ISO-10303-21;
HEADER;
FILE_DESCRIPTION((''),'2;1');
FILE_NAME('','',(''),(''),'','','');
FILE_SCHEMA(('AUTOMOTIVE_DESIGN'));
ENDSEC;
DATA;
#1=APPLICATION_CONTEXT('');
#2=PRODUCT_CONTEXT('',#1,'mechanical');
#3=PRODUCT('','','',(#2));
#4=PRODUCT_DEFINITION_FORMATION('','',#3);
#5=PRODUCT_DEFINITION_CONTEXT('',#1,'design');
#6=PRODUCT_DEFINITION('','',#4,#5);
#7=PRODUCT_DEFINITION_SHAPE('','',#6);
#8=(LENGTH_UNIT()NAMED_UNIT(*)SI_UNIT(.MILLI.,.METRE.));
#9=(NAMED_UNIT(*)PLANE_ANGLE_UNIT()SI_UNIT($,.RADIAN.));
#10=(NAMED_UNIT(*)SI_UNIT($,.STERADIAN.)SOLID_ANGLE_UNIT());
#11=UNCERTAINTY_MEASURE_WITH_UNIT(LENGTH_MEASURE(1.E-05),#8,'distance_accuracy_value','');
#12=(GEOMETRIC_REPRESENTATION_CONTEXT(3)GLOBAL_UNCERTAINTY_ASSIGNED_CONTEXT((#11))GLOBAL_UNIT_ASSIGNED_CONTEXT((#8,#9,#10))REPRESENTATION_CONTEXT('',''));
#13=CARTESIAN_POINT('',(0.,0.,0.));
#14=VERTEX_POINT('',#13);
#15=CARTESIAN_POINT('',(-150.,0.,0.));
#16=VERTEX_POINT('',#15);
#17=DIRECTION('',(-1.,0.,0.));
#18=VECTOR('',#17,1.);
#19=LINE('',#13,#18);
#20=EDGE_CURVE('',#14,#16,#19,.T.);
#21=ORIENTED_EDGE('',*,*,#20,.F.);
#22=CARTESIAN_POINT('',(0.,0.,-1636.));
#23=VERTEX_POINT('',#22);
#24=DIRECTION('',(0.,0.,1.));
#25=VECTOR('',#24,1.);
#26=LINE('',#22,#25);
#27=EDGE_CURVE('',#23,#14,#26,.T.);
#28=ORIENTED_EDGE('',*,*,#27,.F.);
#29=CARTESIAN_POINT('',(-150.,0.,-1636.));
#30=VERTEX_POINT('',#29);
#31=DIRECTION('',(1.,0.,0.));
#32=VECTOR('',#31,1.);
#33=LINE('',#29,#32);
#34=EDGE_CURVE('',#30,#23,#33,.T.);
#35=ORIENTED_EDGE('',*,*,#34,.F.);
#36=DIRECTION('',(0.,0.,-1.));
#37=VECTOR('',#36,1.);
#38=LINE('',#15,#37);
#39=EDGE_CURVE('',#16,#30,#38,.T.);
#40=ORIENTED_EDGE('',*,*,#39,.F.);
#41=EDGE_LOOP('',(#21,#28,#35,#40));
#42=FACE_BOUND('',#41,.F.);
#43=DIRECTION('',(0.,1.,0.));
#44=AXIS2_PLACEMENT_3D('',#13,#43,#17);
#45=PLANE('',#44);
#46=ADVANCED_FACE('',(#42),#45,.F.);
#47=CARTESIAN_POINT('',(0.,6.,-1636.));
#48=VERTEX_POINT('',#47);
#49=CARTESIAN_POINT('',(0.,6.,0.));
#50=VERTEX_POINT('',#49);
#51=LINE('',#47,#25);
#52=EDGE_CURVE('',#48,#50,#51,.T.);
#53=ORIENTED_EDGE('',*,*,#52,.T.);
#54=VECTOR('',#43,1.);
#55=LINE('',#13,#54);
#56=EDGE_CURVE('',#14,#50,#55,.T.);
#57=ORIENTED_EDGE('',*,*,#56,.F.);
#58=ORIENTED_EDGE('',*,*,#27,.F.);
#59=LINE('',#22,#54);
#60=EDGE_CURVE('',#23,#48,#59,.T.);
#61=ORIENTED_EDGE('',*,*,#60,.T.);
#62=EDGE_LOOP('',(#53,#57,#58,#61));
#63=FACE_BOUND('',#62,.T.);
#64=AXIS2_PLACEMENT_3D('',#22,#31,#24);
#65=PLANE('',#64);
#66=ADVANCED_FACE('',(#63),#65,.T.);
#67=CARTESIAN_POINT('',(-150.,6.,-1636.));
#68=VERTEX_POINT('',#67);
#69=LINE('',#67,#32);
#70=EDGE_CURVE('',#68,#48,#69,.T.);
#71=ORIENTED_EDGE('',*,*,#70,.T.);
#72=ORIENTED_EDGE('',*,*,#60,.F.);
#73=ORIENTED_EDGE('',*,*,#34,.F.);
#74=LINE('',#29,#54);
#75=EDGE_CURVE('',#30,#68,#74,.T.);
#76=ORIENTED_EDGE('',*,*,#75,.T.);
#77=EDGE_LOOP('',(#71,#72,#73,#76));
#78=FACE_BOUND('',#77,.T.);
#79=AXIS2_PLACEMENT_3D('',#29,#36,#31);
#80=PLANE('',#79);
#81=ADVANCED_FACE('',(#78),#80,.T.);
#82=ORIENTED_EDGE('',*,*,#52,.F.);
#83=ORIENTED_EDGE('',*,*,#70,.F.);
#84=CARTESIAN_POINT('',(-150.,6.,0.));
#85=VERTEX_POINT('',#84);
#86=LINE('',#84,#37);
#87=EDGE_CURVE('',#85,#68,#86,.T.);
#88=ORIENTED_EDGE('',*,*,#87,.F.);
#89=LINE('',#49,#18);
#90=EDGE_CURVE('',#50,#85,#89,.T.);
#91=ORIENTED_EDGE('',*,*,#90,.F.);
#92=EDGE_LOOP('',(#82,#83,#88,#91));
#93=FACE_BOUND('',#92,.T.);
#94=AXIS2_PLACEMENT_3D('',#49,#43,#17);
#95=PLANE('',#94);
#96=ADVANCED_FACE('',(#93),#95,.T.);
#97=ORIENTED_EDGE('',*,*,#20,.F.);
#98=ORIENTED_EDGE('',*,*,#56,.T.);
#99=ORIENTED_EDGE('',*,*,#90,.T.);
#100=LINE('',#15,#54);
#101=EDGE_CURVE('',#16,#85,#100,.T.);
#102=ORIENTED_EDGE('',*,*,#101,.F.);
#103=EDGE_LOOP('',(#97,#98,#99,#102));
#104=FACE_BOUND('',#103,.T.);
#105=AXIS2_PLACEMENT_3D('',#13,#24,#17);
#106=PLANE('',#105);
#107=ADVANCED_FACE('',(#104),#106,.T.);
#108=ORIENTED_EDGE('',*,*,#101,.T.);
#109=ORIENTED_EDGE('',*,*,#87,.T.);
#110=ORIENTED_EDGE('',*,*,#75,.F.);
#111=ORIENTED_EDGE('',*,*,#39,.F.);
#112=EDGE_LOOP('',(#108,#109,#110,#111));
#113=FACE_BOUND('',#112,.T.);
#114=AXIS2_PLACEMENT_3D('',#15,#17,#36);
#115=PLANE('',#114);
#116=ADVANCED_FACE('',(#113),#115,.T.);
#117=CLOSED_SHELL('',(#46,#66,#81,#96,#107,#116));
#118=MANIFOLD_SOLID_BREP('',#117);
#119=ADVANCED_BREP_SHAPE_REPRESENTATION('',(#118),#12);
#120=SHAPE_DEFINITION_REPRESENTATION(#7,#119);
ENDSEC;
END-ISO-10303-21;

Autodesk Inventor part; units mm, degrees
ref_plane "YZ Plane" through (0, 0, 0) normal (1, 0, 0) x (0, 1, 0)
ref_plane "XZ Plane" through (0, 0, 0) normal (0, 1, 0) x (-1, 0, 0)
ref_plane "XY Plane" through (0, 0, 0) normal (0, 0, 1) x (1, 0, 0)
sketch "Sketch1" plane through (0, 0, 0) normal (0, 1, 0) x (-1, 0, 0)
  line L0 (0, 0) -> (150, 0)
  line L1 (150, 0) -> (150, -1636)
  line L2 (150, -1636) -> (0, -1636)
  line L3 (0, -1636) -> (0, 0)
  dimension "d0" = 150
  dimension "d1" = 1636
extrude "Extrusion1" add sketch "Sketch1" along normal blind 6
properties part number "Base_Entera" material "Wood (Cherry)"
